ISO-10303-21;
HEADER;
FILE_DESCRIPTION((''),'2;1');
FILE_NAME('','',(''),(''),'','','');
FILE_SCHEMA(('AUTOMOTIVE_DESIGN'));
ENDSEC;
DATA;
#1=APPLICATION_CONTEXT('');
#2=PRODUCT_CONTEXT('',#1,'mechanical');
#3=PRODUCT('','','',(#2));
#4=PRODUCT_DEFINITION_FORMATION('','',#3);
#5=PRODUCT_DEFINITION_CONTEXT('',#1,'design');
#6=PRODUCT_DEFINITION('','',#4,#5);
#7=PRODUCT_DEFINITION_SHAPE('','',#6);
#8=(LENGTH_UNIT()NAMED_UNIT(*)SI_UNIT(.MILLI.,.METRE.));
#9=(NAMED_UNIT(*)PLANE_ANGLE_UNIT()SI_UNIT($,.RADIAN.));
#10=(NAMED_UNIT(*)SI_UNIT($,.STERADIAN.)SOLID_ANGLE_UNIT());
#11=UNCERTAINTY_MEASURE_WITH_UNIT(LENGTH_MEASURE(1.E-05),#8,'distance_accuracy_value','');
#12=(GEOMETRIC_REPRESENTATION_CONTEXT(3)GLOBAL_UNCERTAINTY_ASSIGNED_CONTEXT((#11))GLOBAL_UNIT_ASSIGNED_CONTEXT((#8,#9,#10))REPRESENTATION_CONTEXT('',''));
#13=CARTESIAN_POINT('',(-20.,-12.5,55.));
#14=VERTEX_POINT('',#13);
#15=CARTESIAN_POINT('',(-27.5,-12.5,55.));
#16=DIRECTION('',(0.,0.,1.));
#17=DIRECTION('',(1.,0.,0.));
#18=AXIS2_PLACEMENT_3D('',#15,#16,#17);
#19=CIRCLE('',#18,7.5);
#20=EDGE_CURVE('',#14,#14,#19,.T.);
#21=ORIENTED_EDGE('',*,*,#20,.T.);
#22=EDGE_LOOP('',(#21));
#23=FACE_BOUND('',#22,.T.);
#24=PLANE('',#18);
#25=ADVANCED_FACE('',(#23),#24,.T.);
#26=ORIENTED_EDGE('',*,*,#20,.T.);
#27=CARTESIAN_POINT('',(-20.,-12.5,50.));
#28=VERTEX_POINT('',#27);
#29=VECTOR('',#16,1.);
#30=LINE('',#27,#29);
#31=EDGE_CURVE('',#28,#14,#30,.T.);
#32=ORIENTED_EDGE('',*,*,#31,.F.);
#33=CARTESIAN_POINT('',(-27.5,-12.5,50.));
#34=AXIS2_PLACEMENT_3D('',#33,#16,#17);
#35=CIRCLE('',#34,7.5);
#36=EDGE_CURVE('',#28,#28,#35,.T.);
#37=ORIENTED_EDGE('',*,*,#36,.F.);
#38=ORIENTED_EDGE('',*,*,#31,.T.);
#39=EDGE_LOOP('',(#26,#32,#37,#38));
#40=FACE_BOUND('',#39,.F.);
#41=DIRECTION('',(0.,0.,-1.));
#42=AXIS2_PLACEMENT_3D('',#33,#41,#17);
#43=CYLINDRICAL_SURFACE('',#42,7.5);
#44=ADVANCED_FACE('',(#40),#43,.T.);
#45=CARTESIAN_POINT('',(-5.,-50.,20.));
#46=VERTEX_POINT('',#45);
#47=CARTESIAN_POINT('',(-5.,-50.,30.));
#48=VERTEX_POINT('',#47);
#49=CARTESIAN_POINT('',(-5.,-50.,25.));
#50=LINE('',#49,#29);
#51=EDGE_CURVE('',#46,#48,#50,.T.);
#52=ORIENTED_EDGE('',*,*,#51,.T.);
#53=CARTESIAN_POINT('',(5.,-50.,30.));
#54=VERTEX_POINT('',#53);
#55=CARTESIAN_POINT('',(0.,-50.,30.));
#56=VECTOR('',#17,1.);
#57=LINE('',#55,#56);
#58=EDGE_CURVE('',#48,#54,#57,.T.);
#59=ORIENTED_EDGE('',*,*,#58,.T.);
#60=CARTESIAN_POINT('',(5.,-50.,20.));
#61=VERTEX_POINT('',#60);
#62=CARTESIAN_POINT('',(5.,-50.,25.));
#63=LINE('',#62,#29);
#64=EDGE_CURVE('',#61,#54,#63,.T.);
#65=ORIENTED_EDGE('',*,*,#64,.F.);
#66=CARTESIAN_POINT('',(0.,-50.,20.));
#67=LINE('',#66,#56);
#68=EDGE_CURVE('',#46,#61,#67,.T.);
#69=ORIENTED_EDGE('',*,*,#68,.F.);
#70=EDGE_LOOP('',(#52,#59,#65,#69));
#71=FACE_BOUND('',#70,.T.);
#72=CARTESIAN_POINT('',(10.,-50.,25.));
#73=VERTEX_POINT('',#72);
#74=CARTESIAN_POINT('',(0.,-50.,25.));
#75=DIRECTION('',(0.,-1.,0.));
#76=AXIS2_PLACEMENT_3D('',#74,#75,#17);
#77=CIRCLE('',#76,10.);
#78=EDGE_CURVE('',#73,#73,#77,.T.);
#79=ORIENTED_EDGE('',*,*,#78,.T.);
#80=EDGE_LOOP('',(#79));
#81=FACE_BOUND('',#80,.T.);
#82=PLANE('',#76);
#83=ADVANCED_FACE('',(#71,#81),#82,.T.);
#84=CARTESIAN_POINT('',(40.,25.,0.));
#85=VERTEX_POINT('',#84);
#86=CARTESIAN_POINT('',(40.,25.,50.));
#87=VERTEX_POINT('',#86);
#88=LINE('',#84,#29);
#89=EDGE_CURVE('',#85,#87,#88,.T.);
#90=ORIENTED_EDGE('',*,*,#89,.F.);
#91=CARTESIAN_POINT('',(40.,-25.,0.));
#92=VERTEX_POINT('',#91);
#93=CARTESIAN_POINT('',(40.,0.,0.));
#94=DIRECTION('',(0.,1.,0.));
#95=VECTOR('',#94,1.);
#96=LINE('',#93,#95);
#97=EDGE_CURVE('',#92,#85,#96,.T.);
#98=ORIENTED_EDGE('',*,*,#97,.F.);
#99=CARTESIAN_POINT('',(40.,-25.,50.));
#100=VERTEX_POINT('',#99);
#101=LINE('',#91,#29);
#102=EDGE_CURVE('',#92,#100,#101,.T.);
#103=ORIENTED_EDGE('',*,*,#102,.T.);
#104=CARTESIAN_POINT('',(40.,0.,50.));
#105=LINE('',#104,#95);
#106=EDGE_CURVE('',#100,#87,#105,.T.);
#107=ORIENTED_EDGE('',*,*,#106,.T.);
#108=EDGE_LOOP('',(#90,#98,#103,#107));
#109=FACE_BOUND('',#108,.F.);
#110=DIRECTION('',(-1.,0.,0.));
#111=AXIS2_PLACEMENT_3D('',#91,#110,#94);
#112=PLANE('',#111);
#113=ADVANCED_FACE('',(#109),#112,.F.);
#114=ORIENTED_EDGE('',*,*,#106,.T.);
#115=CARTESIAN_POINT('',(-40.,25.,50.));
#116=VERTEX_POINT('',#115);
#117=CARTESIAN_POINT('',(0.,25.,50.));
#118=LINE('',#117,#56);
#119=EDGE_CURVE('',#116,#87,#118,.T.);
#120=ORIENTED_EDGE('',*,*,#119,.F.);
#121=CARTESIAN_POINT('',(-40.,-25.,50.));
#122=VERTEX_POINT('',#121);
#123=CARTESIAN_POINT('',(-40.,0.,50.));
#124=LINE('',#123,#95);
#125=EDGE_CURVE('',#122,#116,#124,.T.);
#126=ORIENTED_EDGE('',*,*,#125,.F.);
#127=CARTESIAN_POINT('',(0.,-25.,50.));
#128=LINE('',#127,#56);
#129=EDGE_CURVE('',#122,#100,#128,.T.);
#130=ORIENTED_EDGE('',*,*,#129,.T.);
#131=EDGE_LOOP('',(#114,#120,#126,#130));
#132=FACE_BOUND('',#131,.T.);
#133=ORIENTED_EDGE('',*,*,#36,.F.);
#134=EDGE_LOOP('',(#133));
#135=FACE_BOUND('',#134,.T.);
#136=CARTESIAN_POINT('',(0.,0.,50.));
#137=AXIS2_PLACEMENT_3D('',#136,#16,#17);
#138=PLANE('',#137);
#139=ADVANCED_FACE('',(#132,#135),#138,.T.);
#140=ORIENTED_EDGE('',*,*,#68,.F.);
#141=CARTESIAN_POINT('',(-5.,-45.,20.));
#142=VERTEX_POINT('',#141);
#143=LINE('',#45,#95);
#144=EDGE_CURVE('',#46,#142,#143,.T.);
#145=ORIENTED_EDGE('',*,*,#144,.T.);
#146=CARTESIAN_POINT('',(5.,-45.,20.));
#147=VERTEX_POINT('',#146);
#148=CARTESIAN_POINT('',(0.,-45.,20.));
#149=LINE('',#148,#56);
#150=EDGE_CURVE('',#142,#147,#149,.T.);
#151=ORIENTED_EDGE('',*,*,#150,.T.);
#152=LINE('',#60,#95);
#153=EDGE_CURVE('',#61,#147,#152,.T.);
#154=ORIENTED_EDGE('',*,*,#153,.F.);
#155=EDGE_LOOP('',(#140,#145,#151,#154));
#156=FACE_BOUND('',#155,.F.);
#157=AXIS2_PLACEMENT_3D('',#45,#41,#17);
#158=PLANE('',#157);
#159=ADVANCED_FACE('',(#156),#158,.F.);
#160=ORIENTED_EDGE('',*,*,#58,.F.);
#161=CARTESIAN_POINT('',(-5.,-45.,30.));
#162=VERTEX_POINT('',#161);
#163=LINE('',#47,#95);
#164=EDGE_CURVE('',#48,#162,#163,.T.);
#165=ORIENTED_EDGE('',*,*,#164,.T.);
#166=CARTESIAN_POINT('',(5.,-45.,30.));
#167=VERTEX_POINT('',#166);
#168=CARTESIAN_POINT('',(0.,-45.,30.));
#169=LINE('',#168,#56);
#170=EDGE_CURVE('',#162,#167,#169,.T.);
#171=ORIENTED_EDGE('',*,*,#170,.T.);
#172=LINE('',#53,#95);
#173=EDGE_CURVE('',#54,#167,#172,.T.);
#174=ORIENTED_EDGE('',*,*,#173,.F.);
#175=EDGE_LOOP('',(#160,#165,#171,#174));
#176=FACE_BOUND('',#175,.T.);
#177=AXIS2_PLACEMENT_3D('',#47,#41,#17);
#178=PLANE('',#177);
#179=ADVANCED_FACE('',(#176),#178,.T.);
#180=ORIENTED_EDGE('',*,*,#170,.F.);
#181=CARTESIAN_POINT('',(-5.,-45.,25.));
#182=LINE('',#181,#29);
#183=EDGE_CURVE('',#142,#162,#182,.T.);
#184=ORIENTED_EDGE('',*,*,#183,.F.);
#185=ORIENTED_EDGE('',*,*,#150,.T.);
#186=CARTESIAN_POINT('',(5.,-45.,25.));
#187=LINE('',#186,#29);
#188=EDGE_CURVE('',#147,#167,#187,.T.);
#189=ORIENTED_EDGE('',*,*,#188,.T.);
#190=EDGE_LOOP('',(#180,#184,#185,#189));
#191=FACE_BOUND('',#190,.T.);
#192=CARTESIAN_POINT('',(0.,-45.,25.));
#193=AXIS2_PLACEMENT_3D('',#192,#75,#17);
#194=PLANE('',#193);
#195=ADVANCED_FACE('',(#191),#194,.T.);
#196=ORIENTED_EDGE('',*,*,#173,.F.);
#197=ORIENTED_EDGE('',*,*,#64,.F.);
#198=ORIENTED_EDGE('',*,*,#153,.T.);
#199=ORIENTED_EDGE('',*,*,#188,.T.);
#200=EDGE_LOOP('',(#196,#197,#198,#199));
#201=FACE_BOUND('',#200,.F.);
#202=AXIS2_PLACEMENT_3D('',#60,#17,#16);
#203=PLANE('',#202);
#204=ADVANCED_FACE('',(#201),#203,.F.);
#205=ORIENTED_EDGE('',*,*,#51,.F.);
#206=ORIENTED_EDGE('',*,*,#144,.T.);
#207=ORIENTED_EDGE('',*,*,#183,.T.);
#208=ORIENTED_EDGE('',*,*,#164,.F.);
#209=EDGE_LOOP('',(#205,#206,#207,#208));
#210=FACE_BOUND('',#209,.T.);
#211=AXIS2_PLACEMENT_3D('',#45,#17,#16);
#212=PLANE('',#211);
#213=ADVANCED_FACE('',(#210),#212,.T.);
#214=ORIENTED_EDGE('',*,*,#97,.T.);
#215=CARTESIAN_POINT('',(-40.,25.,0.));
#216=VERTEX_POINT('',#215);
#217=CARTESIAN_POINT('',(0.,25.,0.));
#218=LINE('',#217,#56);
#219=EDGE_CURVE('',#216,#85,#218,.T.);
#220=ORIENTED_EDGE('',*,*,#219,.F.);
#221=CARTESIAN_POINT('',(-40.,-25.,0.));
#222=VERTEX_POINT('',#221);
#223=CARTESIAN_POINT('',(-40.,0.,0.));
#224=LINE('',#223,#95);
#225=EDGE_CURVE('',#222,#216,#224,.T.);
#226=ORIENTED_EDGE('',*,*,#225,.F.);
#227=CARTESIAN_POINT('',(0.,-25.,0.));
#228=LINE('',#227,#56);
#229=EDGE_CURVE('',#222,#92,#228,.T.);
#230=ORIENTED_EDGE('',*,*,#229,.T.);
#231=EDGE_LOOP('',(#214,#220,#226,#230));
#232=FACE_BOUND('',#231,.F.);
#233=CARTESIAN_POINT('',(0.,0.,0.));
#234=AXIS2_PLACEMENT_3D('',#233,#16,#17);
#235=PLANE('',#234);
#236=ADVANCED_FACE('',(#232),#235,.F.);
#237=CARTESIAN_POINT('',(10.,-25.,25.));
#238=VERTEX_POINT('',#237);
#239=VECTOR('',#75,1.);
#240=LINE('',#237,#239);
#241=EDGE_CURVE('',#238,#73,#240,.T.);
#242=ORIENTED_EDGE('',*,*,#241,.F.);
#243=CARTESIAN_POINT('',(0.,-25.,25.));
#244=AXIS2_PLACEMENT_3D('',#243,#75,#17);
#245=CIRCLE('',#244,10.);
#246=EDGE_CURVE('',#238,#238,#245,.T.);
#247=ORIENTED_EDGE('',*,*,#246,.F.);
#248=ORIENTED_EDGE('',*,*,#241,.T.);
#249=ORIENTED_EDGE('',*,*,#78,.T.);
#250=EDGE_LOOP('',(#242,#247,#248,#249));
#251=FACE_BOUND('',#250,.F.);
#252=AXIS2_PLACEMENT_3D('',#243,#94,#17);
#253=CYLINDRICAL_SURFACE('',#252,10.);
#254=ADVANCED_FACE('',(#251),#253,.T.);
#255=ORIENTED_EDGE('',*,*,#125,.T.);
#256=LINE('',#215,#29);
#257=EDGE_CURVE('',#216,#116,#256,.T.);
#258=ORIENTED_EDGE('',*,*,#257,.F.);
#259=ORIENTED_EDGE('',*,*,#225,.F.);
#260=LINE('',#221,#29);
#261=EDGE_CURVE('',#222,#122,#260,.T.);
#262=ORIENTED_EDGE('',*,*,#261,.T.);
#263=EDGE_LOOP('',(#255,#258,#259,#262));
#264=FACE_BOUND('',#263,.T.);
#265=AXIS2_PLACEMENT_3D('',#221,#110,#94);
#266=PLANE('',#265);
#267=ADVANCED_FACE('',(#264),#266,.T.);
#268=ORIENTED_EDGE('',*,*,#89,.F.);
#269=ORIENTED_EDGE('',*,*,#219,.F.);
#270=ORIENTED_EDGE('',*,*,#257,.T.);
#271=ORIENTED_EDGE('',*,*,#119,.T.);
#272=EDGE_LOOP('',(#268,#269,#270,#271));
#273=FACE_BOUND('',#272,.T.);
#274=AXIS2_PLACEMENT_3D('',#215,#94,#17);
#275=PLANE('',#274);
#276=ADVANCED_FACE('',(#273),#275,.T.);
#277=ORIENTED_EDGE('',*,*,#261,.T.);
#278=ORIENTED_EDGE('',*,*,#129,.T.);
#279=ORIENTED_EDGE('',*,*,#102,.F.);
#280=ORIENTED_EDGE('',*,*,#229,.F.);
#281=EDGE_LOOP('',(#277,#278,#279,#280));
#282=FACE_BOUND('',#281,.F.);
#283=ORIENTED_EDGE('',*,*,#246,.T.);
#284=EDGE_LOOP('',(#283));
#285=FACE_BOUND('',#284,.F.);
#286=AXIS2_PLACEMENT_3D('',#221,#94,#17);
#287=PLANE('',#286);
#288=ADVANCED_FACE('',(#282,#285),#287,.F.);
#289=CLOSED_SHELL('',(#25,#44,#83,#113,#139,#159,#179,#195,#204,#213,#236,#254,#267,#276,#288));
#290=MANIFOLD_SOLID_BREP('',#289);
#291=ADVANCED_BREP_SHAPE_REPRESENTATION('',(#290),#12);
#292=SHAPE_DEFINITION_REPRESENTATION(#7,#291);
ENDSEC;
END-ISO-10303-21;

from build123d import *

# Parameters (mm, degrees)
F0_W     = 80
F0_H     = 50
F1_DEPTH = 50
F2_R     = 10
F3_DEPTH = 25
F4_W     = 10
F4_H     = 10
F5_DEPTH = 5
F6_R     = 7.5
F7_DEPTH = 5


with BuildPart() as f1:
    # F0 (on Top) → F1 (new body)
    with BuildSketch(Plane.XY):
        Rectangle(F0_W, F0_H)
    extrude(amount=F1_DEPTH)

    # F2 (on face) → F3 (join)
    with BuildSketch(Plane.XZ.offset(25)):
        with Locations((0, 25)):
            Circle(F2_R)
    extrude(amount=F3_DEPTH)

    # F4 (on face) → F5 (cut)
    with BuildSketch(Plane.XZ.offset(50)):
        with Locations((0, 25)):
            Rectangle(F4_W, F4_H)
    extrude(amount=-F5_DEPTH, mode=Mode.SUBTRACT)

    # F6 (on face) → F7 (join)
    with BuildSketch(Plane.XY.offset(50)):
        with Locations((-27.5, -12.5)):
            Circle(F6_R)
    extrude(amount=F7_DEPTH)


solid = f1.part
